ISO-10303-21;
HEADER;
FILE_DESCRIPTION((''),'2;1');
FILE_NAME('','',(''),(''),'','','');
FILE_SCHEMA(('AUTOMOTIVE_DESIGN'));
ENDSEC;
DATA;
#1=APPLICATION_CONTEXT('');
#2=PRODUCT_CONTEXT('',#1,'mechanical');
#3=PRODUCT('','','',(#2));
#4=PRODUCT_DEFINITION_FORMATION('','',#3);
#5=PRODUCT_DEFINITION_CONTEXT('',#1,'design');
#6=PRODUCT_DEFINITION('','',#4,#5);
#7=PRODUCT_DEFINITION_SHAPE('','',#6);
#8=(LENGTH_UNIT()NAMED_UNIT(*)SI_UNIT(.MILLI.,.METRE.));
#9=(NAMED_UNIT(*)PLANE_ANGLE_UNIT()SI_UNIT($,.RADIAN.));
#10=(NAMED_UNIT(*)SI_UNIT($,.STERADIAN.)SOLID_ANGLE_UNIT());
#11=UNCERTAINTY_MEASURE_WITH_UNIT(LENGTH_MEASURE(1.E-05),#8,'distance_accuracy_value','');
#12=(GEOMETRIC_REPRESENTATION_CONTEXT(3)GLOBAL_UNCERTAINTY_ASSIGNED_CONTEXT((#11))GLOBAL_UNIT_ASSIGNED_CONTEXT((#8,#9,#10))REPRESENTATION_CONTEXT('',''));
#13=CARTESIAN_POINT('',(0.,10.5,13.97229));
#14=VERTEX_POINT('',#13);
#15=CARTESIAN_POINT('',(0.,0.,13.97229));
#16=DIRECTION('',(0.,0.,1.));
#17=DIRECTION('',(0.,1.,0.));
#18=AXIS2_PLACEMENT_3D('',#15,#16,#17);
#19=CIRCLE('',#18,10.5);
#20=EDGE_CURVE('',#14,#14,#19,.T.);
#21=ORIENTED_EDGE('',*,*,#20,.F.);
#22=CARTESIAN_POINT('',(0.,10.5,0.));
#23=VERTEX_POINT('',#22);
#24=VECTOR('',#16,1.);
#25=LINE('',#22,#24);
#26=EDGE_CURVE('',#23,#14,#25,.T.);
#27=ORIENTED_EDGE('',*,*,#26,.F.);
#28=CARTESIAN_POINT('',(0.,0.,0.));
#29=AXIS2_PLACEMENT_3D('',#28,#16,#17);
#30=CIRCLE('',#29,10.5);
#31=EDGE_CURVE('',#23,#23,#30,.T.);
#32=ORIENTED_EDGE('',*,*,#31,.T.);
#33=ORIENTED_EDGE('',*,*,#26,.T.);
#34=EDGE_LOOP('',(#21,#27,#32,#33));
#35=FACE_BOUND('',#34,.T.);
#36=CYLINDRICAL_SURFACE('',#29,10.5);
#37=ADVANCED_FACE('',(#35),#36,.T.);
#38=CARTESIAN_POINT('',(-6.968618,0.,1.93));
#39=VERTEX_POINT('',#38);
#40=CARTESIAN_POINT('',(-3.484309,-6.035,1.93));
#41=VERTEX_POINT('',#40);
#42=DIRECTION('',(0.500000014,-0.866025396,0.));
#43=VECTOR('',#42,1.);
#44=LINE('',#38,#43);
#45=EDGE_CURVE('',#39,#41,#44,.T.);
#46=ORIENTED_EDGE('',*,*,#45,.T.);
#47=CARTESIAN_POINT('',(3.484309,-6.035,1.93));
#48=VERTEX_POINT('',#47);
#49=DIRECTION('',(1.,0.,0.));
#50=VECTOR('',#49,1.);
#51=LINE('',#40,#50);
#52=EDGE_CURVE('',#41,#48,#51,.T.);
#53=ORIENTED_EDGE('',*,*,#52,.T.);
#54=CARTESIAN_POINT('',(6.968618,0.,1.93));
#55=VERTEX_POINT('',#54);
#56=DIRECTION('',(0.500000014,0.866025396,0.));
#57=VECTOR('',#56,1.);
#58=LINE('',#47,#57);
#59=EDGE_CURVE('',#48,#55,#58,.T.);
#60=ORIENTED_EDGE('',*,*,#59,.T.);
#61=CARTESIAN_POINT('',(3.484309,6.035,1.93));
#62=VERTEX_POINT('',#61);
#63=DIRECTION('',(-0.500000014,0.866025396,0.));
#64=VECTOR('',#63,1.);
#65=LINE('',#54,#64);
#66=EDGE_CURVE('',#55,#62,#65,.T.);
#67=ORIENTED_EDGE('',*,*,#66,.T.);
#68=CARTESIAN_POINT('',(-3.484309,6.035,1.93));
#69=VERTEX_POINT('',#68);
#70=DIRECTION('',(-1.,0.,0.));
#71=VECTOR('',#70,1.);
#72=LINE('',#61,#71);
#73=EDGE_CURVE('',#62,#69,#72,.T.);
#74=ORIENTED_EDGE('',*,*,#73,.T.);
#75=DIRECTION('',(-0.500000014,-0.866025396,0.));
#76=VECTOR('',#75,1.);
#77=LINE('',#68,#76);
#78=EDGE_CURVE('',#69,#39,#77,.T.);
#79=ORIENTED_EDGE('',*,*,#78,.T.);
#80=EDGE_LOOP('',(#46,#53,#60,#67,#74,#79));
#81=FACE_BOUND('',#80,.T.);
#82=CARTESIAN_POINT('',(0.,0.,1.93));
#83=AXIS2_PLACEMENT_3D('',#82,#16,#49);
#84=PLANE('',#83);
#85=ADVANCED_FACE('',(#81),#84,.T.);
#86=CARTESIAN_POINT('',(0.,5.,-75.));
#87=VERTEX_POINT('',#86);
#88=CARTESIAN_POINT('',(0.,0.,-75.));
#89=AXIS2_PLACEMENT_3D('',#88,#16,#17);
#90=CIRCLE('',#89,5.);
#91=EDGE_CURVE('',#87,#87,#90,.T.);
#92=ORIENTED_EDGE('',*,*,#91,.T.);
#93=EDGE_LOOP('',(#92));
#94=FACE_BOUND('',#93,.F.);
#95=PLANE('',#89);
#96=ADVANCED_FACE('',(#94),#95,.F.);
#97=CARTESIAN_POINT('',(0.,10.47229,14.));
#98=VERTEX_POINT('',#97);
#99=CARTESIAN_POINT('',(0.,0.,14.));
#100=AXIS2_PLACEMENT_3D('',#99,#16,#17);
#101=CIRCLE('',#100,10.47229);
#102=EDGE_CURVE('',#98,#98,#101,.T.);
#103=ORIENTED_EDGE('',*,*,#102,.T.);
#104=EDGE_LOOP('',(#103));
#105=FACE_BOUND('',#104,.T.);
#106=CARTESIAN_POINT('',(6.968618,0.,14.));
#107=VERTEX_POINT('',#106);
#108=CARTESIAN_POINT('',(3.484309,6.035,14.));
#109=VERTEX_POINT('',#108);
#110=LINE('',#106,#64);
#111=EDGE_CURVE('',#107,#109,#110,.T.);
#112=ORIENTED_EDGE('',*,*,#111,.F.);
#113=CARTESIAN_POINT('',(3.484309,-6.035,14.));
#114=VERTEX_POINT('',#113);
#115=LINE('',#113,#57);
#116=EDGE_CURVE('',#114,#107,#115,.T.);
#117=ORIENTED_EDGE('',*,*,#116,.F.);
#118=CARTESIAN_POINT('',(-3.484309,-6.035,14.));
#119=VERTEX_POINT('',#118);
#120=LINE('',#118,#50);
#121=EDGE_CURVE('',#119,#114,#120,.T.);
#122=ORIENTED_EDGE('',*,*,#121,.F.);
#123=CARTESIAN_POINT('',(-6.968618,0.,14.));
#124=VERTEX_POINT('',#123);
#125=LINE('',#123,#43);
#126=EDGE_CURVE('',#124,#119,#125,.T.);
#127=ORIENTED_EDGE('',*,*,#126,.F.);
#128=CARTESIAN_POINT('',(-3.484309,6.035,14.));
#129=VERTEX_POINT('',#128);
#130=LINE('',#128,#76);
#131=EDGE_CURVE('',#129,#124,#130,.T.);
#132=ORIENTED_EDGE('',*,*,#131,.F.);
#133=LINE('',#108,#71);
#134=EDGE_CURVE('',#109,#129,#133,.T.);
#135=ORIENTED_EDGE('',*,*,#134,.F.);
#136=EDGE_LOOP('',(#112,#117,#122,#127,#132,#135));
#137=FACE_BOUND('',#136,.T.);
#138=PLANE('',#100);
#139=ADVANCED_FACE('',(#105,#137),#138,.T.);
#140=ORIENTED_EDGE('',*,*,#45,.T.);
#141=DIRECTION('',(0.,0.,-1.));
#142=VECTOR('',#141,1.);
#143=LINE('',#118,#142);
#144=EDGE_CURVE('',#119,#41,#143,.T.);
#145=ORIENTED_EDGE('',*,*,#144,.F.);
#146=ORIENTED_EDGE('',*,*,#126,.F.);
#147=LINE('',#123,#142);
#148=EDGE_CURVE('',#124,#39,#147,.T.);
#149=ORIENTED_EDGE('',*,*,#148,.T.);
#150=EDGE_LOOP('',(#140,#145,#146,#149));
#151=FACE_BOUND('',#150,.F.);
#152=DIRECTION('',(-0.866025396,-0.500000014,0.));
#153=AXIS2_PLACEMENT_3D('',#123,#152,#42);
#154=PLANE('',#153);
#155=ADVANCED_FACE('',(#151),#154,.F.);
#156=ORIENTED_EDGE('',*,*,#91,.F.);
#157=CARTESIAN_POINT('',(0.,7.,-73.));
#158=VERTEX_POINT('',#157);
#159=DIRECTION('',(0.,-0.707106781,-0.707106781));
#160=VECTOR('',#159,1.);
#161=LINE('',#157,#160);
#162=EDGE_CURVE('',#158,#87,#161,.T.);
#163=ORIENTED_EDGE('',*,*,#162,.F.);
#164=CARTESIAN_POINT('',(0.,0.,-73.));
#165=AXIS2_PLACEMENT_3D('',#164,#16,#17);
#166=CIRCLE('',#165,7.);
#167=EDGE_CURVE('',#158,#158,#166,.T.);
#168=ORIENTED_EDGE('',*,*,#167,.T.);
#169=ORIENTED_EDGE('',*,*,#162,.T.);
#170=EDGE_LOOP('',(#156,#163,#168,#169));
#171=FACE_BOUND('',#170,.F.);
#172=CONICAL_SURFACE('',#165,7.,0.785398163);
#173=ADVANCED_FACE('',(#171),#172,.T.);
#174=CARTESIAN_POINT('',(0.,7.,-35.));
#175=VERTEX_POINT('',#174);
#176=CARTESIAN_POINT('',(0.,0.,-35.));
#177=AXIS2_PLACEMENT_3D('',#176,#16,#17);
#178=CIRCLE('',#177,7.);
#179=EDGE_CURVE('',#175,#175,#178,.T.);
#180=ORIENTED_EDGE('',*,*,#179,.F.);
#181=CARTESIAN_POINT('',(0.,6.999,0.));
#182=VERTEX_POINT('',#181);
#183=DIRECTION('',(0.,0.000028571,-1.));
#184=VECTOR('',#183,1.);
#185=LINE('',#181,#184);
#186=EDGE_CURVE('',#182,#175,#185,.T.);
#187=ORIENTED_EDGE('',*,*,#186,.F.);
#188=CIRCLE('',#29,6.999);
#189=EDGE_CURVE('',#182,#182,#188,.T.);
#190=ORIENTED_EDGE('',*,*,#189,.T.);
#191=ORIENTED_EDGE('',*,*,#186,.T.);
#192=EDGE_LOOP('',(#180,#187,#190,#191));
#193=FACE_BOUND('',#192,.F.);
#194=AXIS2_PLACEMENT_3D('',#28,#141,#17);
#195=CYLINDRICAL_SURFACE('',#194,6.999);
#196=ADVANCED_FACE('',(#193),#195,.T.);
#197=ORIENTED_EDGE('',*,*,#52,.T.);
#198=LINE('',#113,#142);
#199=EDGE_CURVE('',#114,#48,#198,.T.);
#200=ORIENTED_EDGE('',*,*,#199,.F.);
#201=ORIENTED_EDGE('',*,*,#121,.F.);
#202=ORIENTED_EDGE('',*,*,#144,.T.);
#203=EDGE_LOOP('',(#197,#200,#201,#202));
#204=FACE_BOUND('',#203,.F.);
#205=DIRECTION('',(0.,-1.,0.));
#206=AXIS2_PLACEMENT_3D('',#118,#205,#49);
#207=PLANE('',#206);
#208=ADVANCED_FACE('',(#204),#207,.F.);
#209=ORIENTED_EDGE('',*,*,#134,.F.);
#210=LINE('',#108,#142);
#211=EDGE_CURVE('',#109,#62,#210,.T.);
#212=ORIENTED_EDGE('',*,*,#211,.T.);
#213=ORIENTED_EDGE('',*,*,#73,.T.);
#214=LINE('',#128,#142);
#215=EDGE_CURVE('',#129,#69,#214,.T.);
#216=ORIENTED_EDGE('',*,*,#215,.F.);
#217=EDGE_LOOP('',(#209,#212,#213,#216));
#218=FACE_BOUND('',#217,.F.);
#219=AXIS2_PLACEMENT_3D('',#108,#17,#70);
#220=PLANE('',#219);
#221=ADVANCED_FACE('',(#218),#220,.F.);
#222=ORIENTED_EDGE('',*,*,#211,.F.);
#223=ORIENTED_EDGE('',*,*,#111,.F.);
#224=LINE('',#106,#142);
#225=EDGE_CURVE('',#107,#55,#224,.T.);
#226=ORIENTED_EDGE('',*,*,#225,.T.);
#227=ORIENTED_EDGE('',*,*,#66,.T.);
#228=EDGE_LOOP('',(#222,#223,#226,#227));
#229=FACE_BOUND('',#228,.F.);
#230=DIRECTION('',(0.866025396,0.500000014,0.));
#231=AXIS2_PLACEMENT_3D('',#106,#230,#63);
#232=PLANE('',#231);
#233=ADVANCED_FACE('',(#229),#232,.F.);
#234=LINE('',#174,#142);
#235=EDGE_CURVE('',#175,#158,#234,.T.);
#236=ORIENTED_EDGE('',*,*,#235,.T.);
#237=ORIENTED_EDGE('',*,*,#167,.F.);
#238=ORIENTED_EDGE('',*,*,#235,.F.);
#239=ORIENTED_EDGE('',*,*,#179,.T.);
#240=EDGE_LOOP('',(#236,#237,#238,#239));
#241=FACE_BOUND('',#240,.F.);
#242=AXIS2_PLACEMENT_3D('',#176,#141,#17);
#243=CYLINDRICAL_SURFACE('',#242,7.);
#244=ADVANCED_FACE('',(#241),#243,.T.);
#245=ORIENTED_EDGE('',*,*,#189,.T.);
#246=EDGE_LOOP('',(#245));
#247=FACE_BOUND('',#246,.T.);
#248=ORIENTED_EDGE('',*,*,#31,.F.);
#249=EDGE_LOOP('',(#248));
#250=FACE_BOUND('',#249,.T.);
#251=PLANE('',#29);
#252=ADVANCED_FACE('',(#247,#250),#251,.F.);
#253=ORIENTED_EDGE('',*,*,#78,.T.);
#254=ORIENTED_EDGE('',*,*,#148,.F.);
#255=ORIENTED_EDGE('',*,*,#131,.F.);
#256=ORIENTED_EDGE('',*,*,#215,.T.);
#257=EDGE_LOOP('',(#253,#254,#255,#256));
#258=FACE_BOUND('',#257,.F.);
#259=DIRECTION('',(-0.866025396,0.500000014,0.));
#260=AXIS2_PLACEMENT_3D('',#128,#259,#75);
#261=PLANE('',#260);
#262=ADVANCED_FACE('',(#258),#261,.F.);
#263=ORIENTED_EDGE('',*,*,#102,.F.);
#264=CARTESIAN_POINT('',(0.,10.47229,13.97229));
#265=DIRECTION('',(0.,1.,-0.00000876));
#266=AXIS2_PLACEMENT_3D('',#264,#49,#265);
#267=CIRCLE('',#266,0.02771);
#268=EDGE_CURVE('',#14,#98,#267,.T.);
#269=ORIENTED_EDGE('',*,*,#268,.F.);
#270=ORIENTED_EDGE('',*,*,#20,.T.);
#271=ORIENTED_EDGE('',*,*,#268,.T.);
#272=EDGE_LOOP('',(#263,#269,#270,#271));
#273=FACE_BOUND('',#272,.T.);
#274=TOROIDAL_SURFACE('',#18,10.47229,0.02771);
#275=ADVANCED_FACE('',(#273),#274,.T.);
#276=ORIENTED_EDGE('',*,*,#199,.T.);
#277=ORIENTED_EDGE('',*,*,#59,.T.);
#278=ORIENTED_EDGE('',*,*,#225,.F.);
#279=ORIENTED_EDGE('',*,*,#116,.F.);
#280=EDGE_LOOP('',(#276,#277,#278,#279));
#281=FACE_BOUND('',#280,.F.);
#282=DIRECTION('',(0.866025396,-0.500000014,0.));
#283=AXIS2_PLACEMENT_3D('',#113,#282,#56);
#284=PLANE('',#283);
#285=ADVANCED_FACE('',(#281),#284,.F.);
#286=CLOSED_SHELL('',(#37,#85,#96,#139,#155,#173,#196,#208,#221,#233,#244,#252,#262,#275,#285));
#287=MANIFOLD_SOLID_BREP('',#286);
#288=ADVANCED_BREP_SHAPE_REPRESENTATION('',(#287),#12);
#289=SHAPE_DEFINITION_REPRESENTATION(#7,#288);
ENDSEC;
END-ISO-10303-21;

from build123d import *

# Parameters (mm, degrees)
POCKET_DEPTH = 12.07


with BuildPart() as part:
    # Sketch → Revolve (revolve)
    with BuildSketch(Plane.YZ):
        with BuildLine():
            Line((6.999, 0), (10.5, 0))
            Line((10.5, 0), (10.5, 13.97229))
            ThreePointArc((10.5, 13.97229), (10.491884, 13.991884), (10.47229, 14))
            Line((10.47229, 14), (0, 14))
            Line((0, -75), (0, 14))
            Line((5, -75), (0, -75))
            Line((7, -73), (5, -75))
            Line((7, -35), (7, -73))
            Line((6.999, 0), (7, -35))
        make_face()
    revolve(axis=Axis((0, 0, 0), (0, 0, 1)))

    # Sketch001 → Pocket (cut)
    with BuildSketch(Plane.XY.offset(14)):
        Polygon((6.968618, 0), (3.484309, 6.035), (-3.484309, 6.035), (-6.968618, 0), (-3.484309, -6.035), (3.484309, -6.035), align=None)
    extrude(amount=-POCKET_DEPTH, mode=Mode.SUBTRACT)


solid = part.part
